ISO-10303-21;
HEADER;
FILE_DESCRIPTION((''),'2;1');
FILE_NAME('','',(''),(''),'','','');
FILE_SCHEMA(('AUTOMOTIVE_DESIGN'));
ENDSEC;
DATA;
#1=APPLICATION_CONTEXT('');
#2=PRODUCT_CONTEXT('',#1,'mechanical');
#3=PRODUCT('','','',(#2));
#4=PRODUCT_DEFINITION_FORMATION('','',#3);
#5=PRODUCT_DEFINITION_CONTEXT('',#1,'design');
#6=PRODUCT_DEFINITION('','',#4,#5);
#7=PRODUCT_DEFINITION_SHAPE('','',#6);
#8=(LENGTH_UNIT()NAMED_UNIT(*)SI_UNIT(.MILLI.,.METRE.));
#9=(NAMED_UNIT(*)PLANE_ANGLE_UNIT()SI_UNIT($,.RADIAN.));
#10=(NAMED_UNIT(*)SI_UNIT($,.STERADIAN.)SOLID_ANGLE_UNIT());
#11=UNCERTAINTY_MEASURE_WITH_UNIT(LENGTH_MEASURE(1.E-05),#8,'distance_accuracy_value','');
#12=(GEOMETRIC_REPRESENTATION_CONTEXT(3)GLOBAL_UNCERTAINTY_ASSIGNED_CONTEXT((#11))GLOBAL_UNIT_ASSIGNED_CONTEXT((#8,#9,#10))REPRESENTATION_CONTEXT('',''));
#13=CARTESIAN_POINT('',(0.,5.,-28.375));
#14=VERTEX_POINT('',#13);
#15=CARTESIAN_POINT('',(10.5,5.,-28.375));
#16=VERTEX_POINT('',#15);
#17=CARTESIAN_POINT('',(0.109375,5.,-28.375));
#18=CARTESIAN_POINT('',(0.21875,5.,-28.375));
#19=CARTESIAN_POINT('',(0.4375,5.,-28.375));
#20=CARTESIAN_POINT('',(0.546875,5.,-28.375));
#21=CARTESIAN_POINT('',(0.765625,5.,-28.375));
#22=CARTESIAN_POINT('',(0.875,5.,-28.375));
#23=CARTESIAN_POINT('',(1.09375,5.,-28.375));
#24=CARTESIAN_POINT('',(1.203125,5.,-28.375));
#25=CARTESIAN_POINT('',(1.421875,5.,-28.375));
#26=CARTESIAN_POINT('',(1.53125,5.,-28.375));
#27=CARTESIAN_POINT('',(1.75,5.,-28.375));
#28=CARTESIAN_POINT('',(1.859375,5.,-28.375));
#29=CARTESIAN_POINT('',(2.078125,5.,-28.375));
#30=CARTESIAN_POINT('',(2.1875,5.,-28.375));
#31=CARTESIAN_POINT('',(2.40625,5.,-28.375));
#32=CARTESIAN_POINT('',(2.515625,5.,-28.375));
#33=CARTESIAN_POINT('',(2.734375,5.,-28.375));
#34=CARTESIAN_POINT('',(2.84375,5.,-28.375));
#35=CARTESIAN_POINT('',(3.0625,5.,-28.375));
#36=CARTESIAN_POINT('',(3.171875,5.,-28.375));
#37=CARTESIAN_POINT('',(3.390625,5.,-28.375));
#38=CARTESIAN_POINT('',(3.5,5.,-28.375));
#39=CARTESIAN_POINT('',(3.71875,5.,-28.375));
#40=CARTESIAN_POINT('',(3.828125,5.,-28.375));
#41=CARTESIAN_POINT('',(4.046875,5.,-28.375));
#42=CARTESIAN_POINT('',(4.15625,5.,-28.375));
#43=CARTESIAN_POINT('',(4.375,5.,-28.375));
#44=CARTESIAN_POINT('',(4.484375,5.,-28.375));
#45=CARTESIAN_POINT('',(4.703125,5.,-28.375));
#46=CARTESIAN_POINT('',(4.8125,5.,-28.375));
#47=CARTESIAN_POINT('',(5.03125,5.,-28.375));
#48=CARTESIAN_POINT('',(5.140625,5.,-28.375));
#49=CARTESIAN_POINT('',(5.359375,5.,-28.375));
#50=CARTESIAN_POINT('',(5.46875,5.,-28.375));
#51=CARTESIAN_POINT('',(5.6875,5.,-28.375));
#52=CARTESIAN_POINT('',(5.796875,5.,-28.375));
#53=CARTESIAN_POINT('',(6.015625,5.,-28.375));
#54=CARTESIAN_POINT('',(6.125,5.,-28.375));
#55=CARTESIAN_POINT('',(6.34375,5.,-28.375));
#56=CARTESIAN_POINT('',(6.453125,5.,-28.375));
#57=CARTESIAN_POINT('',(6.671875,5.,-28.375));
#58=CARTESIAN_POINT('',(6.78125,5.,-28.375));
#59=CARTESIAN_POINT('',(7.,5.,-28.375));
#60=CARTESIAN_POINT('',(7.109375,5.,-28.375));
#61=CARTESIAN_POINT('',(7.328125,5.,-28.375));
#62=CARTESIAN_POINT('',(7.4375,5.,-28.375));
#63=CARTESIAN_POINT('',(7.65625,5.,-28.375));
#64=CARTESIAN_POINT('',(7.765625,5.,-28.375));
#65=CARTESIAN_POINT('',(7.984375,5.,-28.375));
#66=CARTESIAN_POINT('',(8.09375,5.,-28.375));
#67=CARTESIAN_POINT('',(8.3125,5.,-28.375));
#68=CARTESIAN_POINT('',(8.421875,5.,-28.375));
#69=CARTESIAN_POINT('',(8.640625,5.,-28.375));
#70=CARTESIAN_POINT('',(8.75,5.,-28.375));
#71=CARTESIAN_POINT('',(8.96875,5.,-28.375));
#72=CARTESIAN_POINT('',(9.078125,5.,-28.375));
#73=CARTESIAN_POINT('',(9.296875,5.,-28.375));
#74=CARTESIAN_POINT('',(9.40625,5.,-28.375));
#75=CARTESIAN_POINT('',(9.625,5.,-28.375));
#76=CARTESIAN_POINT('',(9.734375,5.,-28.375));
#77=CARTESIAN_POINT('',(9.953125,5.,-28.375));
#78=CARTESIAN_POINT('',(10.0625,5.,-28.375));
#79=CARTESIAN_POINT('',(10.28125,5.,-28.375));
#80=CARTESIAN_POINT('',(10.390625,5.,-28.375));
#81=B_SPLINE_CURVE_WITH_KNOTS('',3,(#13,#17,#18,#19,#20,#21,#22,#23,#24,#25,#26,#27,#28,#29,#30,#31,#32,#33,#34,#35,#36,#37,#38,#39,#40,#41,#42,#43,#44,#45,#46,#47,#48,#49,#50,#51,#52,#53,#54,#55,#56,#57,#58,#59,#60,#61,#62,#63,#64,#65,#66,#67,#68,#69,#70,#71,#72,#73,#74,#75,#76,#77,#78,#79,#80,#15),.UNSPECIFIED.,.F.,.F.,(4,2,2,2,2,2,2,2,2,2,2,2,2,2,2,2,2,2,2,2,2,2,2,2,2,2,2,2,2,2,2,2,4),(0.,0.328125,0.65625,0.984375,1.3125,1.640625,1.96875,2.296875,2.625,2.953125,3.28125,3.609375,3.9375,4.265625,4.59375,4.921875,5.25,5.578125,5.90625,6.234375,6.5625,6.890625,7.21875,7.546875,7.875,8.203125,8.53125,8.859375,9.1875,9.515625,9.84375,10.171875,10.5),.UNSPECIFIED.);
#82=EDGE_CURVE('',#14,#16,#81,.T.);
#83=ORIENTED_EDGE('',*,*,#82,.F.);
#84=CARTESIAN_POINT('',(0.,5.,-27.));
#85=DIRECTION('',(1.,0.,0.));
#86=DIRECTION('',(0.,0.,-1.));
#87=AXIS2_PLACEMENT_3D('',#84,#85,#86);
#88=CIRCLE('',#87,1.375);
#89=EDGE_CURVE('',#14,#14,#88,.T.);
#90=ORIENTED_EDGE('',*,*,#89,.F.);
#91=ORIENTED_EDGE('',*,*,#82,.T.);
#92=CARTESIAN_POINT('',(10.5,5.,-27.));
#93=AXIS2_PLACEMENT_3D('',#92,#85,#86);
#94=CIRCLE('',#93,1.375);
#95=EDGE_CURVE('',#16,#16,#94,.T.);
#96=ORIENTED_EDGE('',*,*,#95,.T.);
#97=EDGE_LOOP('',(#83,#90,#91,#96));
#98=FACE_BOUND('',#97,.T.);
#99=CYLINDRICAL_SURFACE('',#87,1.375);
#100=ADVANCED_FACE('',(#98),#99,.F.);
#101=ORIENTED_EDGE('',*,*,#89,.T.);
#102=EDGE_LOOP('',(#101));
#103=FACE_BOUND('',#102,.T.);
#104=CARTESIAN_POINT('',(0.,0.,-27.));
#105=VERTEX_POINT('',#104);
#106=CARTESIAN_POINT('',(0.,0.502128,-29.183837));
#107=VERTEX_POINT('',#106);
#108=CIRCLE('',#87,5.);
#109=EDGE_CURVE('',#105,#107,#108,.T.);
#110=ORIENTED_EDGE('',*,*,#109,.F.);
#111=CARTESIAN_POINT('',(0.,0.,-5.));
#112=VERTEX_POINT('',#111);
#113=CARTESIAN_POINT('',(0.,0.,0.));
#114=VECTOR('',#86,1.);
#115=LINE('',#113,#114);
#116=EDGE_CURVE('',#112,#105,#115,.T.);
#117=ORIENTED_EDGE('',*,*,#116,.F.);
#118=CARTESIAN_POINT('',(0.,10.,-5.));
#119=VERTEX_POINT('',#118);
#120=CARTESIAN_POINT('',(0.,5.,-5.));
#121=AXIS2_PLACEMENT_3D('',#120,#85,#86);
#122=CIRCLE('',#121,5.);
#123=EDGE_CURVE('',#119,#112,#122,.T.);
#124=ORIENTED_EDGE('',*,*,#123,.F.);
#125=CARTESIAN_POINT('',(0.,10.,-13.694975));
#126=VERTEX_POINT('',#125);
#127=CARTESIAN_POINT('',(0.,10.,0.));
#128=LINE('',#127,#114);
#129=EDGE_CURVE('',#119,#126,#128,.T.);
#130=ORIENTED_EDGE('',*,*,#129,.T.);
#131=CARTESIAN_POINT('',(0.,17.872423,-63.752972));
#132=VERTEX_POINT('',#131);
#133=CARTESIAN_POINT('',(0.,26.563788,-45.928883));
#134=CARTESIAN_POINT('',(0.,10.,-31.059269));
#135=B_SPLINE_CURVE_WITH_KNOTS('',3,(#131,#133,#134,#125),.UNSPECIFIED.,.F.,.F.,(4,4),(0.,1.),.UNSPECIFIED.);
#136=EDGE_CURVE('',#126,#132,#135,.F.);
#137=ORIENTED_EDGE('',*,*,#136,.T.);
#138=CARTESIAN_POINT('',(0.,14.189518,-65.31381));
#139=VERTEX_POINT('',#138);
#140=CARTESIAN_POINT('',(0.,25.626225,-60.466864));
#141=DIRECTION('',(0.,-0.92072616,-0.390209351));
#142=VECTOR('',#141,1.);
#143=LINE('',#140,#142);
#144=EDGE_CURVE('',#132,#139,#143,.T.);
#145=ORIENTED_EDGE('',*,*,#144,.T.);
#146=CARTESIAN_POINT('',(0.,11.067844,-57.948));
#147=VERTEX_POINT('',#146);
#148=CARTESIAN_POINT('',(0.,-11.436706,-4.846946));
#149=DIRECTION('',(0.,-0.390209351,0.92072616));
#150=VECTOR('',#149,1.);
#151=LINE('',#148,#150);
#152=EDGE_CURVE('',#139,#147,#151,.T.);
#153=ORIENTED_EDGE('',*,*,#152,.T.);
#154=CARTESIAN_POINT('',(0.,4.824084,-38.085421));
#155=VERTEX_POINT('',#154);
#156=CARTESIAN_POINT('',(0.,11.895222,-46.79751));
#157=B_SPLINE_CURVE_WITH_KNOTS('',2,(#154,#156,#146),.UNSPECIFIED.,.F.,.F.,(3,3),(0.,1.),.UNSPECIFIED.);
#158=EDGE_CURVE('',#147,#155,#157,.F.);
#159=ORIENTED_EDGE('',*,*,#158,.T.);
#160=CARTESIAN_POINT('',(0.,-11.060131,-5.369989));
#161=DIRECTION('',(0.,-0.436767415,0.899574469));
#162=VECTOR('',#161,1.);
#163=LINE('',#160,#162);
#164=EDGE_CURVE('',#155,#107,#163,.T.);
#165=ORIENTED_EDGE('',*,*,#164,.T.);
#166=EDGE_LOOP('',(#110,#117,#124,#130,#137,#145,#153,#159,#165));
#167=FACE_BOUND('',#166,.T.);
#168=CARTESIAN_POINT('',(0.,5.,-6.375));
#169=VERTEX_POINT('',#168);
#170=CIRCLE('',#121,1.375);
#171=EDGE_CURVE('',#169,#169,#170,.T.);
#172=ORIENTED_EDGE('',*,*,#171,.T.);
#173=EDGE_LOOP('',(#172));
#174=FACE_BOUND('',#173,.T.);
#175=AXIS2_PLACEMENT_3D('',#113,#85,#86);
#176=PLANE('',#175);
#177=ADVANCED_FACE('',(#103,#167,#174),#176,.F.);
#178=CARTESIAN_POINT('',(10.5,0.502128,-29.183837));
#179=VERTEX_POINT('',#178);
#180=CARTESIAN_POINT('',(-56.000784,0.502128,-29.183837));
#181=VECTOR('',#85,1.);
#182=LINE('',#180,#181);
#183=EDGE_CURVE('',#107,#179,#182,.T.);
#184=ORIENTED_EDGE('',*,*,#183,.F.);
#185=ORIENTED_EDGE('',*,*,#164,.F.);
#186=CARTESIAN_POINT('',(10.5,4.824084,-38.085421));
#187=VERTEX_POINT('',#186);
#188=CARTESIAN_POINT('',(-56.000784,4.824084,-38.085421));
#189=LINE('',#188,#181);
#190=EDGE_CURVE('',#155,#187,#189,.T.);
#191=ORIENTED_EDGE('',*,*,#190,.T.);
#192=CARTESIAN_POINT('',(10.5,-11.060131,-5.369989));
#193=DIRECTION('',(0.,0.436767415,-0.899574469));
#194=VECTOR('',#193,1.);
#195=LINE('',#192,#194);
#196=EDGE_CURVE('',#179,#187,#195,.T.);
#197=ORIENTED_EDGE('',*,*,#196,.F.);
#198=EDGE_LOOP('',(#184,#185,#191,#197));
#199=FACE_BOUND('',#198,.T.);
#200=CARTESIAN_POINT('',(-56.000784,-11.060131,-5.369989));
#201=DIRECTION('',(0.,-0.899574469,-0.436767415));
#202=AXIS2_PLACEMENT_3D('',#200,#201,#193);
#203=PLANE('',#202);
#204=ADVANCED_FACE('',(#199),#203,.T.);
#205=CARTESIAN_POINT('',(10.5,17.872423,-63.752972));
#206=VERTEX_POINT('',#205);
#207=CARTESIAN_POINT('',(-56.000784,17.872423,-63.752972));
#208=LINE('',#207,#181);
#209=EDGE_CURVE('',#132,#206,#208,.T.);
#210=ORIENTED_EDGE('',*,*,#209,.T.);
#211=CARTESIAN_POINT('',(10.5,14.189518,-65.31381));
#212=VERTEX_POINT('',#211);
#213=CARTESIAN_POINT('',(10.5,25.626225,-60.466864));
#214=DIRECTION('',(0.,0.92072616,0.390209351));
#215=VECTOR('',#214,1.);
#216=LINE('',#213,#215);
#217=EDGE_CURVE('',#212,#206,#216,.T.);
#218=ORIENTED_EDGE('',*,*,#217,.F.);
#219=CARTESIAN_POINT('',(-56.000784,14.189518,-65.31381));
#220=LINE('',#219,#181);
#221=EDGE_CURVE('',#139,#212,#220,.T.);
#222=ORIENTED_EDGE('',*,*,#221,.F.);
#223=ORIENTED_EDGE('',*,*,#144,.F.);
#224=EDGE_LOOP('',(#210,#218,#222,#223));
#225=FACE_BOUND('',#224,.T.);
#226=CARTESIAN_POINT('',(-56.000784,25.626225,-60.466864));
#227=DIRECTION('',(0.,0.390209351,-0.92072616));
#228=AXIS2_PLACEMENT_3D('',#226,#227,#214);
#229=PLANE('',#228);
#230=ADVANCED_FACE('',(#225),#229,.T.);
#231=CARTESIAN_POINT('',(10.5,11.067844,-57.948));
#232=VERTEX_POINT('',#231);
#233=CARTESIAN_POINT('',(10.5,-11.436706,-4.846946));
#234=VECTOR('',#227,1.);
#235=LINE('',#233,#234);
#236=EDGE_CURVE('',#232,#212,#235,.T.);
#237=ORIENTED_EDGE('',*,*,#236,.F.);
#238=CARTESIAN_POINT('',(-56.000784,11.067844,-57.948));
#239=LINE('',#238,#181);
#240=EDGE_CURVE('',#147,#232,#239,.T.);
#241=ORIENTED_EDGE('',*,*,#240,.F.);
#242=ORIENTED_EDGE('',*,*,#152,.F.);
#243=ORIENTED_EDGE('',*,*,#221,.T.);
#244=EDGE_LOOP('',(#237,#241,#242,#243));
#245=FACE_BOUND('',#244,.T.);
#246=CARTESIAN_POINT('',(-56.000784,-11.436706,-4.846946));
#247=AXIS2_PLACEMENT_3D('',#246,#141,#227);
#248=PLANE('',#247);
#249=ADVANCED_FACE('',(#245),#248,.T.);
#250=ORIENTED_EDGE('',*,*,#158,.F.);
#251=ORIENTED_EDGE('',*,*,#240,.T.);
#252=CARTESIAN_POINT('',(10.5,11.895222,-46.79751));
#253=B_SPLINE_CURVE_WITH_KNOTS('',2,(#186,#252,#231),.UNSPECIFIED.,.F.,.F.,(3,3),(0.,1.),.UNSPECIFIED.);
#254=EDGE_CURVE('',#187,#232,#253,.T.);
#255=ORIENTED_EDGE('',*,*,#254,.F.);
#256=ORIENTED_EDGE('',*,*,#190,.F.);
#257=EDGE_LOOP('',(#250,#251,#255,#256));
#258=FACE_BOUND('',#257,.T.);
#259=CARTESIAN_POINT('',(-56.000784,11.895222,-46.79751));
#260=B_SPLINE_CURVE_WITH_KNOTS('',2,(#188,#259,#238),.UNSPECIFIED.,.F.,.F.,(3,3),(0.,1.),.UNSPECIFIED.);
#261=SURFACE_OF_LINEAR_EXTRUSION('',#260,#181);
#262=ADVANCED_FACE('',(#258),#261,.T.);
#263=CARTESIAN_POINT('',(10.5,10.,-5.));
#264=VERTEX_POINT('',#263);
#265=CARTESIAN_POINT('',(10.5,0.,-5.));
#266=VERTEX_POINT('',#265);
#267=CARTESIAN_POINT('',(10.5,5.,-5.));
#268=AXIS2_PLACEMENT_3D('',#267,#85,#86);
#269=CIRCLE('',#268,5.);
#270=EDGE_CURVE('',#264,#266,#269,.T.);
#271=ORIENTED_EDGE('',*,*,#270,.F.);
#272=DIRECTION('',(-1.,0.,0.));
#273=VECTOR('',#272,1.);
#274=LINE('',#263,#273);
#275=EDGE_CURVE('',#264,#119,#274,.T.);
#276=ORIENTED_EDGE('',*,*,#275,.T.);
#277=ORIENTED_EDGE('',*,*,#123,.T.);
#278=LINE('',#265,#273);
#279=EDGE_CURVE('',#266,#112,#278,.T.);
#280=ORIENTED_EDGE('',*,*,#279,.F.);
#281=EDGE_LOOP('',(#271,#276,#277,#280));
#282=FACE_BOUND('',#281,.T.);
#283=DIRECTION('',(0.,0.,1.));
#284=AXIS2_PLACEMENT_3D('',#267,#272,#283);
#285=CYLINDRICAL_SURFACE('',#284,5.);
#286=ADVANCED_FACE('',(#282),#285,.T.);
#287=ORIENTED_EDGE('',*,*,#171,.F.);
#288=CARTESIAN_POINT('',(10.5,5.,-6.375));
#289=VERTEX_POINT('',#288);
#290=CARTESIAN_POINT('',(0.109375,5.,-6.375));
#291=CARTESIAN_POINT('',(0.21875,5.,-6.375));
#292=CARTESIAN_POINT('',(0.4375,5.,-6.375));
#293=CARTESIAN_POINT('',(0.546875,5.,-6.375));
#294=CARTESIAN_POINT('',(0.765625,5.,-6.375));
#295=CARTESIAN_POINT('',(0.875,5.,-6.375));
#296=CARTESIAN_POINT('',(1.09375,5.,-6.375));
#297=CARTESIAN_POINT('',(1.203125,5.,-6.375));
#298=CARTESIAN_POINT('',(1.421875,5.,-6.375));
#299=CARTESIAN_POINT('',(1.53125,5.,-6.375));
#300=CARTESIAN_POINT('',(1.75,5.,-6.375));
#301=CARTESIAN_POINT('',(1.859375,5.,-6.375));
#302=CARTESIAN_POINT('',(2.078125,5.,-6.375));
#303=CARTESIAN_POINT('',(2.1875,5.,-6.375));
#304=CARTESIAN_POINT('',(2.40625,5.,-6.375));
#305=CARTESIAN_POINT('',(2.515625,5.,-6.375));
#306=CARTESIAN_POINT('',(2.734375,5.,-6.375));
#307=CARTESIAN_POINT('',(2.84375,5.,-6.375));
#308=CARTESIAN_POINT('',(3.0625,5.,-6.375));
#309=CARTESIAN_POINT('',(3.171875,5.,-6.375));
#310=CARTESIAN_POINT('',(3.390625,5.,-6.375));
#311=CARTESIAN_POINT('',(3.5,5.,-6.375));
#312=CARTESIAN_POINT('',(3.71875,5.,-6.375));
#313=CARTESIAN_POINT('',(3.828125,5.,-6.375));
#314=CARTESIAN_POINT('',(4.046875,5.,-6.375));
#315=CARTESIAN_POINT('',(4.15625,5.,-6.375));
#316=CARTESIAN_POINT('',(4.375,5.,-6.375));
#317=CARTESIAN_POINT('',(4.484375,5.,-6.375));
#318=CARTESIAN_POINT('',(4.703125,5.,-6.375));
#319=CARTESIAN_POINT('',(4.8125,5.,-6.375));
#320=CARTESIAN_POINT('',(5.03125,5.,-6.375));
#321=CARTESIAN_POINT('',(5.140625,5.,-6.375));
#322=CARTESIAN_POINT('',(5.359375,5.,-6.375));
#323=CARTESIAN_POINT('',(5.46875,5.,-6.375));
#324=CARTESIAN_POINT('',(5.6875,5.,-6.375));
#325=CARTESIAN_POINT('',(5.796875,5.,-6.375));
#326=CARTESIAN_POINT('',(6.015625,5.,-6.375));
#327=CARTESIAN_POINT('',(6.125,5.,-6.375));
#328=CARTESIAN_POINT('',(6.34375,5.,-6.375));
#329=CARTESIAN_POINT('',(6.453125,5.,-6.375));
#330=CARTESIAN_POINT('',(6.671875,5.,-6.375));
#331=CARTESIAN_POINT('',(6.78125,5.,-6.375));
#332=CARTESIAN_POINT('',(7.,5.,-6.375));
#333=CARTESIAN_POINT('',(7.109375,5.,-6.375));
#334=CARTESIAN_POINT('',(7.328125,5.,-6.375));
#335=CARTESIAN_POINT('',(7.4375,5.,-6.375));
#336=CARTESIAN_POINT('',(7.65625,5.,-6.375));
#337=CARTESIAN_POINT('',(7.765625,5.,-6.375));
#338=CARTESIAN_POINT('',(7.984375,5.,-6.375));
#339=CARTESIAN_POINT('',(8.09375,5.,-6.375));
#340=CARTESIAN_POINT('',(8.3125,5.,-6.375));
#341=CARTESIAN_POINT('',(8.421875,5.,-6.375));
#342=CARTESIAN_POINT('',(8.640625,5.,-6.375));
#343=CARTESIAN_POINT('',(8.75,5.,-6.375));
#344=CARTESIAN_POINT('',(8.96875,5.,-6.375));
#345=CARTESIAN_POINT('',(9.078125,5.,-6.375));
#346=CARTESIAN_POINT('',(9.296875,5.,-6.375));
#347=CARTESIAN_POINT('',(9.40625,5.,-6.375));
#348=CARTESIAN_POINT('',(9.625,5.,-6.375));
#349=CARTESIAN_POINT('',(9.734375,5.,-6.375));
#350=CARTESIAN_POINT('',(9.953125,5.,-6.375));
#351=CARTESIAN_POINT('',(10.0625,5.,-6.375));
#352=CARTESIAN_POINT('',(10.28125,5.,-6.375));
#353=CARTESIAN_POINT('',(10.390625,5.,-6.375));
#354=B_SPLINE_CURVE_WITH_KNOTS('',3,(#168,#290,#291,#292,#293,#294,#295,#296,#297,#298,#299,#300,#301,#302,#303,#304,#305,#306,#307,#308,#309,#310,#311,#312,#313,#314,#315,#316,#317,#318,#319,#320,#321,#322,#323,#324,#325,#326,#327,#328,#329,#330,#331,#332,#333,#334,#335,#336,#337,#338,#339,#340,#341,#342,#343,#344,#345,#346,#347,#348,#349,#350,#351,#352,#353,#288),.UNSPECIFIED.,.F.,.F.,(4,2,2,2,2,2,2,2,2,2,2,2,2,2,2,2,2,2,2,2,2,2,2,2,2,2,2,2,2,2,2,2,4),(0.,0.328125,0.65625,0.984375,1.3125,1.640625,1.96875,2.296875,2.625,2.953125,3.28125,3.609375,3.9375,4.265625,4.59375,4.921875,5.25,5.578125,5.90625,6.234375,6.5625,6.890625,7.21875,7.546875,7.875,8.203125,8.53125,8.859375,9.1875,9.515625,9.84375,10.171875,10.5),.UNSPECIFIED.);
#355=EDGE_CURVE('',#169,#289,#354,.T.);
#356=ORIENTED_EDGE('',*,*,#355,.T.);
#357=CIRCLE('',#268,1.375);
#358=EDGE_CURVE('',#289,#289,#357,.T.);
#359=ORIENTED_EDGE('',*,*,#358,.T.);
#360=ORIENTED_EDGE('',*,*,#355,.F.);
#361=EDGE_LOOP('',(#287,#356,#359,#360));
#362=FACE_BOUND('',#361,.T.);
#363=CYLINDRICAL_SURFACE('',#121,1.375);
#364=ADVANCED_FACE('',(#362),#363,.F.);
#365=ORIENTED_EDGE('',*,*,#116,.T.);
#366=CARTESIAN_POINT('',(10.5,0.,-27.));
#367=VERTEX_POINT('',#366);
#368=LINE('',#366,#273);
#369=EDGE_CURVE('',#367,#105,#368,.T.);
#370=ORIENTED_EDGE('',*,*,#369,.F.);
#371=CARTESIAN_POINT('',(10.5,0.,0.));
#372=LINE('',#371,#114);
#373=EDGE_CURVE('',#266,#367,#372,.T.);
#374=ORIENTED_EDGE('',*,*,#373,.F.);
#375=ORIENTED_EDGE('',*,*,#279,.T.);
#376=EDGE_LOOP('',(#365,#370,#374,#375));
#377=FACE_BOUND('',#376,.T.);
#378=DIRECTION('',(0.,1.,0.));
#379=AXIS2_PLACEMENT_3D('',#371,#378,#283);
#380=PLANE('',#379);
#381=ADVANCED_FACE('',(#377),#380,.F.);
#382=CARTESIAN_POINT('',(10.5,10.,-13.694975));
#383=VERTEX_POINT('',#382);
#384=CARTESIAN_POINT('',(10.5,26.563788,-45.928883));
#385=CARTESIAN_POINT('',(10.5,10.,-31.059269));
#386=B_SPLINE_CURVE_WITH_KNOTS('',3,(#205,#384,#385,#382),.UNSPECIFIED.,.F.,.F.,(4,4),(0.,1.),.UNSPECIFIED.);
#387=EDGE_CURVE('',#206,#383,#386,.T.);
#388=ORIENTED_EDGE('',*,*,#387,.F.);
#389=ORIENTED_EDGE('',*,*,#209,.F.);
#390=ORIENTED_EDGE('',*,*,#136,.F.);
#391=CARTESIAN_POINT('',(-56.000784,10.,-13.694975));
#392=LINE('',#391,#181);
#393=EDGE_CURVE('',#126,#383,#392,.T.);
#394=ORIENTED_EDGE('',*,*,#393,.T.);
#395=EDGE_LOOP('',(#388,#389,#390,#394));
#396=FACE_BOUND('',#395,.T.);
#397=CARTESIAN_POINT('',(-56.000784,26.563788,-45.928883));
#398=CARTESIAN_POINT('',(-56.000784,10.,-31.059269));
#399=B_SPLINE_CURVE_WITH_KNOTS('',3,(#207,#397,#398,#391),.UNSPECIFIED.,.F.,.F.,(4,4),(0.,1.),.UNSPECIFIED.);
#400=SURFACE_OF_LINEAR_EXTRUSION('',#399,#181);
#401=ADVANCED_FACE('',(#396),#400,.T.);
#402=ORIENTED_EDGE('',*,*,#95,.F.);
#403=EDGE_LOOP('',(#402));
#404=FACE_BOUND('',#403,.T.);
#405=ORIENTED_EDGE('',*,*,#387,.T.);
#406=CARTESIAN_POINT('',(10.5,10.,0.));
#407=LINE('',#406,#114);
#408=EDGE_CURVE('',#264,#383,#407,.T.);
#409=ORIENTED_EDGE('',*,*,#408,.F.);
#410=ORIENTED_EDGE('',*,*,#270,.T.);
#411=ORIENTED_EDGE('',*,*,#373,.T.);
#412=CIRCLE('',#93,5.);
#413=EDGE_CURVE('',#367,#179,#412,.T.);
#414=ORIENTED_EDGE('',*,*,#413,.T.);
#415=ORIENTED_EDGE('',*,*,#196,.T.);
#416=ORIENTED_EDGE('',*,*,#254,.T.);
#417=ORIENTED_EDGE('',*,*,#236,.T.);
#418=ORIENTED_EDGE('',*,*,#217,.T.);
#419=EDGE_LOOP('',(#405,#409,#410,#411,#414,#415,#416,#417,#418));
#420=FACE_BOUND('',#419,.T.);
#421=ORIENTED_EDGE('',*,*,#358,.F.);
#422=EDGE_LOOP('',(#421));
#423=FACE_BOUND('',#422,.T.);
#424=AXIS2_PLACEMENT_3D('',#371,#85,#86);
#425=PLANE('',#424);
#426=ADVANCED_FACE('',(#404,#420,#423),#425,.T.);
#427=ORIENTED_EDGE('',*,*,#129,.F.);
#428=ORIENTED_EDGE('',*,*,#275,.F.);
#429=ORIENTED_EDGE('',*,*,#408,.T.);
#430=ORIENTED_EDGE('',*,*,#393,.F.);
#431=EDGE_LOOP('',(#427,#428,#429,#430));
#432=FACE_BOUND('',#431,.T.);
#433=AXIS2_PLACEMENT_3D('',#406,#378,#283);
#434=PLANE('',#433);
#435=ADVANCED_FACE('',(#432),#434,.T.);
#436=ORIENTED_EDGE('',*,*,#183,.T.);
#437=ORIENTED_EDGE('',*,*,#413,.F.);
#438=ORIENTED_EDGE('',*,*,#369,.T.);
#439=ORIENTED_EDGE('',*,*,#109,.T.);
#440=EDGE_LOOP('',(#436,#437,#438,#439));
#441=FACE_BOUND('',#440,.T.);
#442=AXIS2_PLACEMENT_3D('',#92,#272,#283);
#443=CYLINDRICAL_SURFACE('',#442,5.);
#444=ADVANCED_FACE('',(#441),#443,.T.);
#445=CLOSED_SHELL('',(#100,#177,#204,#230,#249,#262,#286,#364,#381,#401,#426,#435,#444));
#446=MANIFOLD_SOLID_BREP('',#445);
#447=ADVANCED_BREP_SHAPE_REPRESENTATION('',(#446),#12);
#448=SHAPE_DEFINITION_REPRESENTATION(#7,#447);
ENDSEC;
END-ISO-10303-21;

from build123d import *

# Parameters (mm, degrees)
BOSS_EXTRUDE1_DEPTH = 10.5
BOSS_EXTRUDE2_START = -10.5
BOSS_EXTRUDE2_DEPTH = 10.5
SKETCH3_R           = 1.375
CUT_EXTRUDE1_DEPTH  = 70.224771272


with BuildPart() as part:
    # Sketch1 → Boss-Extrude1 (new body)
    with BuildSketch(Plane(origin=(0, 0, 0), x_dir=(0, 0, -1), z_dir=(1, 0, 0))):
        with BuildLine():
            Line((27, 10), (5, 10))
            ThreePointArc((5, 10), (0, 5), (5, 0))
            Line((5, 0), (27, 0))
            ThreePointArc((27, 0), (32, 5), (27, 10))
        make_face()
    extrude(amount=BOSS_EXTRUDE1_DEPTH)

    # Sketch2 → Boss-Extrude2 (add)
    with BuildSketch(Plane(origin=(10.5, 0, 0), x_dir=(0, 0, -1), z_dir=(1, 0, 0)).offset(BOSS_EXTRUDE2_START)):
        with BuildLine():
            add(Edge.make_bspline(
                [(63.752972286, 17.872423117), (45.928882678, 26.563787963), (31.059268621, 10), (13.694974759, 10)],
                knots=[0, 0, 0, 0, 1, 1, 1, 1], degree=3))
            Line((13.694974759, 10), (27, 10))
            ThreePointArc((27, 10), (31.87285141, 6.120410255), (29.183837075, 0.502127655))
            Line((29.183837075, 0.502127655), (38.08542066, 4.824084077))
            add(Edge.make_bspline(
                [(38.08542066, 4.824084077), (46.797509509, 11.895222457), (57.948000409, 11.067843667)],
                knots=[0, 0, 0, 1, 1, 1], degree=2))
            Line((57.948000409, 11.067843667), (65.313809691, 14.189518476))
            Line((65.313809691, 14.189518476), (63.752972286, 17.872423117))
        make_face()
    extrude(amount=BOSS_EXTRUDE2_DEPTH)

    # Sketch3 → Cut-Extrude1 (cut, through all)
    with BuildSketch(Plane(origin=(10.5, 0, 0), x_dir=(0, 0, -1), z_dir=(1, 0, 0))):
        with Locations((5, 5)):
            Circle(SKETCH3_R)
        with Locations((27, 5)):
            Circle(SKETCH3_R)
    extrude(amount=-CUT_EXTRUDE1_DEPTH, mode=Mode.SUBTRACT)


solid = part.part
